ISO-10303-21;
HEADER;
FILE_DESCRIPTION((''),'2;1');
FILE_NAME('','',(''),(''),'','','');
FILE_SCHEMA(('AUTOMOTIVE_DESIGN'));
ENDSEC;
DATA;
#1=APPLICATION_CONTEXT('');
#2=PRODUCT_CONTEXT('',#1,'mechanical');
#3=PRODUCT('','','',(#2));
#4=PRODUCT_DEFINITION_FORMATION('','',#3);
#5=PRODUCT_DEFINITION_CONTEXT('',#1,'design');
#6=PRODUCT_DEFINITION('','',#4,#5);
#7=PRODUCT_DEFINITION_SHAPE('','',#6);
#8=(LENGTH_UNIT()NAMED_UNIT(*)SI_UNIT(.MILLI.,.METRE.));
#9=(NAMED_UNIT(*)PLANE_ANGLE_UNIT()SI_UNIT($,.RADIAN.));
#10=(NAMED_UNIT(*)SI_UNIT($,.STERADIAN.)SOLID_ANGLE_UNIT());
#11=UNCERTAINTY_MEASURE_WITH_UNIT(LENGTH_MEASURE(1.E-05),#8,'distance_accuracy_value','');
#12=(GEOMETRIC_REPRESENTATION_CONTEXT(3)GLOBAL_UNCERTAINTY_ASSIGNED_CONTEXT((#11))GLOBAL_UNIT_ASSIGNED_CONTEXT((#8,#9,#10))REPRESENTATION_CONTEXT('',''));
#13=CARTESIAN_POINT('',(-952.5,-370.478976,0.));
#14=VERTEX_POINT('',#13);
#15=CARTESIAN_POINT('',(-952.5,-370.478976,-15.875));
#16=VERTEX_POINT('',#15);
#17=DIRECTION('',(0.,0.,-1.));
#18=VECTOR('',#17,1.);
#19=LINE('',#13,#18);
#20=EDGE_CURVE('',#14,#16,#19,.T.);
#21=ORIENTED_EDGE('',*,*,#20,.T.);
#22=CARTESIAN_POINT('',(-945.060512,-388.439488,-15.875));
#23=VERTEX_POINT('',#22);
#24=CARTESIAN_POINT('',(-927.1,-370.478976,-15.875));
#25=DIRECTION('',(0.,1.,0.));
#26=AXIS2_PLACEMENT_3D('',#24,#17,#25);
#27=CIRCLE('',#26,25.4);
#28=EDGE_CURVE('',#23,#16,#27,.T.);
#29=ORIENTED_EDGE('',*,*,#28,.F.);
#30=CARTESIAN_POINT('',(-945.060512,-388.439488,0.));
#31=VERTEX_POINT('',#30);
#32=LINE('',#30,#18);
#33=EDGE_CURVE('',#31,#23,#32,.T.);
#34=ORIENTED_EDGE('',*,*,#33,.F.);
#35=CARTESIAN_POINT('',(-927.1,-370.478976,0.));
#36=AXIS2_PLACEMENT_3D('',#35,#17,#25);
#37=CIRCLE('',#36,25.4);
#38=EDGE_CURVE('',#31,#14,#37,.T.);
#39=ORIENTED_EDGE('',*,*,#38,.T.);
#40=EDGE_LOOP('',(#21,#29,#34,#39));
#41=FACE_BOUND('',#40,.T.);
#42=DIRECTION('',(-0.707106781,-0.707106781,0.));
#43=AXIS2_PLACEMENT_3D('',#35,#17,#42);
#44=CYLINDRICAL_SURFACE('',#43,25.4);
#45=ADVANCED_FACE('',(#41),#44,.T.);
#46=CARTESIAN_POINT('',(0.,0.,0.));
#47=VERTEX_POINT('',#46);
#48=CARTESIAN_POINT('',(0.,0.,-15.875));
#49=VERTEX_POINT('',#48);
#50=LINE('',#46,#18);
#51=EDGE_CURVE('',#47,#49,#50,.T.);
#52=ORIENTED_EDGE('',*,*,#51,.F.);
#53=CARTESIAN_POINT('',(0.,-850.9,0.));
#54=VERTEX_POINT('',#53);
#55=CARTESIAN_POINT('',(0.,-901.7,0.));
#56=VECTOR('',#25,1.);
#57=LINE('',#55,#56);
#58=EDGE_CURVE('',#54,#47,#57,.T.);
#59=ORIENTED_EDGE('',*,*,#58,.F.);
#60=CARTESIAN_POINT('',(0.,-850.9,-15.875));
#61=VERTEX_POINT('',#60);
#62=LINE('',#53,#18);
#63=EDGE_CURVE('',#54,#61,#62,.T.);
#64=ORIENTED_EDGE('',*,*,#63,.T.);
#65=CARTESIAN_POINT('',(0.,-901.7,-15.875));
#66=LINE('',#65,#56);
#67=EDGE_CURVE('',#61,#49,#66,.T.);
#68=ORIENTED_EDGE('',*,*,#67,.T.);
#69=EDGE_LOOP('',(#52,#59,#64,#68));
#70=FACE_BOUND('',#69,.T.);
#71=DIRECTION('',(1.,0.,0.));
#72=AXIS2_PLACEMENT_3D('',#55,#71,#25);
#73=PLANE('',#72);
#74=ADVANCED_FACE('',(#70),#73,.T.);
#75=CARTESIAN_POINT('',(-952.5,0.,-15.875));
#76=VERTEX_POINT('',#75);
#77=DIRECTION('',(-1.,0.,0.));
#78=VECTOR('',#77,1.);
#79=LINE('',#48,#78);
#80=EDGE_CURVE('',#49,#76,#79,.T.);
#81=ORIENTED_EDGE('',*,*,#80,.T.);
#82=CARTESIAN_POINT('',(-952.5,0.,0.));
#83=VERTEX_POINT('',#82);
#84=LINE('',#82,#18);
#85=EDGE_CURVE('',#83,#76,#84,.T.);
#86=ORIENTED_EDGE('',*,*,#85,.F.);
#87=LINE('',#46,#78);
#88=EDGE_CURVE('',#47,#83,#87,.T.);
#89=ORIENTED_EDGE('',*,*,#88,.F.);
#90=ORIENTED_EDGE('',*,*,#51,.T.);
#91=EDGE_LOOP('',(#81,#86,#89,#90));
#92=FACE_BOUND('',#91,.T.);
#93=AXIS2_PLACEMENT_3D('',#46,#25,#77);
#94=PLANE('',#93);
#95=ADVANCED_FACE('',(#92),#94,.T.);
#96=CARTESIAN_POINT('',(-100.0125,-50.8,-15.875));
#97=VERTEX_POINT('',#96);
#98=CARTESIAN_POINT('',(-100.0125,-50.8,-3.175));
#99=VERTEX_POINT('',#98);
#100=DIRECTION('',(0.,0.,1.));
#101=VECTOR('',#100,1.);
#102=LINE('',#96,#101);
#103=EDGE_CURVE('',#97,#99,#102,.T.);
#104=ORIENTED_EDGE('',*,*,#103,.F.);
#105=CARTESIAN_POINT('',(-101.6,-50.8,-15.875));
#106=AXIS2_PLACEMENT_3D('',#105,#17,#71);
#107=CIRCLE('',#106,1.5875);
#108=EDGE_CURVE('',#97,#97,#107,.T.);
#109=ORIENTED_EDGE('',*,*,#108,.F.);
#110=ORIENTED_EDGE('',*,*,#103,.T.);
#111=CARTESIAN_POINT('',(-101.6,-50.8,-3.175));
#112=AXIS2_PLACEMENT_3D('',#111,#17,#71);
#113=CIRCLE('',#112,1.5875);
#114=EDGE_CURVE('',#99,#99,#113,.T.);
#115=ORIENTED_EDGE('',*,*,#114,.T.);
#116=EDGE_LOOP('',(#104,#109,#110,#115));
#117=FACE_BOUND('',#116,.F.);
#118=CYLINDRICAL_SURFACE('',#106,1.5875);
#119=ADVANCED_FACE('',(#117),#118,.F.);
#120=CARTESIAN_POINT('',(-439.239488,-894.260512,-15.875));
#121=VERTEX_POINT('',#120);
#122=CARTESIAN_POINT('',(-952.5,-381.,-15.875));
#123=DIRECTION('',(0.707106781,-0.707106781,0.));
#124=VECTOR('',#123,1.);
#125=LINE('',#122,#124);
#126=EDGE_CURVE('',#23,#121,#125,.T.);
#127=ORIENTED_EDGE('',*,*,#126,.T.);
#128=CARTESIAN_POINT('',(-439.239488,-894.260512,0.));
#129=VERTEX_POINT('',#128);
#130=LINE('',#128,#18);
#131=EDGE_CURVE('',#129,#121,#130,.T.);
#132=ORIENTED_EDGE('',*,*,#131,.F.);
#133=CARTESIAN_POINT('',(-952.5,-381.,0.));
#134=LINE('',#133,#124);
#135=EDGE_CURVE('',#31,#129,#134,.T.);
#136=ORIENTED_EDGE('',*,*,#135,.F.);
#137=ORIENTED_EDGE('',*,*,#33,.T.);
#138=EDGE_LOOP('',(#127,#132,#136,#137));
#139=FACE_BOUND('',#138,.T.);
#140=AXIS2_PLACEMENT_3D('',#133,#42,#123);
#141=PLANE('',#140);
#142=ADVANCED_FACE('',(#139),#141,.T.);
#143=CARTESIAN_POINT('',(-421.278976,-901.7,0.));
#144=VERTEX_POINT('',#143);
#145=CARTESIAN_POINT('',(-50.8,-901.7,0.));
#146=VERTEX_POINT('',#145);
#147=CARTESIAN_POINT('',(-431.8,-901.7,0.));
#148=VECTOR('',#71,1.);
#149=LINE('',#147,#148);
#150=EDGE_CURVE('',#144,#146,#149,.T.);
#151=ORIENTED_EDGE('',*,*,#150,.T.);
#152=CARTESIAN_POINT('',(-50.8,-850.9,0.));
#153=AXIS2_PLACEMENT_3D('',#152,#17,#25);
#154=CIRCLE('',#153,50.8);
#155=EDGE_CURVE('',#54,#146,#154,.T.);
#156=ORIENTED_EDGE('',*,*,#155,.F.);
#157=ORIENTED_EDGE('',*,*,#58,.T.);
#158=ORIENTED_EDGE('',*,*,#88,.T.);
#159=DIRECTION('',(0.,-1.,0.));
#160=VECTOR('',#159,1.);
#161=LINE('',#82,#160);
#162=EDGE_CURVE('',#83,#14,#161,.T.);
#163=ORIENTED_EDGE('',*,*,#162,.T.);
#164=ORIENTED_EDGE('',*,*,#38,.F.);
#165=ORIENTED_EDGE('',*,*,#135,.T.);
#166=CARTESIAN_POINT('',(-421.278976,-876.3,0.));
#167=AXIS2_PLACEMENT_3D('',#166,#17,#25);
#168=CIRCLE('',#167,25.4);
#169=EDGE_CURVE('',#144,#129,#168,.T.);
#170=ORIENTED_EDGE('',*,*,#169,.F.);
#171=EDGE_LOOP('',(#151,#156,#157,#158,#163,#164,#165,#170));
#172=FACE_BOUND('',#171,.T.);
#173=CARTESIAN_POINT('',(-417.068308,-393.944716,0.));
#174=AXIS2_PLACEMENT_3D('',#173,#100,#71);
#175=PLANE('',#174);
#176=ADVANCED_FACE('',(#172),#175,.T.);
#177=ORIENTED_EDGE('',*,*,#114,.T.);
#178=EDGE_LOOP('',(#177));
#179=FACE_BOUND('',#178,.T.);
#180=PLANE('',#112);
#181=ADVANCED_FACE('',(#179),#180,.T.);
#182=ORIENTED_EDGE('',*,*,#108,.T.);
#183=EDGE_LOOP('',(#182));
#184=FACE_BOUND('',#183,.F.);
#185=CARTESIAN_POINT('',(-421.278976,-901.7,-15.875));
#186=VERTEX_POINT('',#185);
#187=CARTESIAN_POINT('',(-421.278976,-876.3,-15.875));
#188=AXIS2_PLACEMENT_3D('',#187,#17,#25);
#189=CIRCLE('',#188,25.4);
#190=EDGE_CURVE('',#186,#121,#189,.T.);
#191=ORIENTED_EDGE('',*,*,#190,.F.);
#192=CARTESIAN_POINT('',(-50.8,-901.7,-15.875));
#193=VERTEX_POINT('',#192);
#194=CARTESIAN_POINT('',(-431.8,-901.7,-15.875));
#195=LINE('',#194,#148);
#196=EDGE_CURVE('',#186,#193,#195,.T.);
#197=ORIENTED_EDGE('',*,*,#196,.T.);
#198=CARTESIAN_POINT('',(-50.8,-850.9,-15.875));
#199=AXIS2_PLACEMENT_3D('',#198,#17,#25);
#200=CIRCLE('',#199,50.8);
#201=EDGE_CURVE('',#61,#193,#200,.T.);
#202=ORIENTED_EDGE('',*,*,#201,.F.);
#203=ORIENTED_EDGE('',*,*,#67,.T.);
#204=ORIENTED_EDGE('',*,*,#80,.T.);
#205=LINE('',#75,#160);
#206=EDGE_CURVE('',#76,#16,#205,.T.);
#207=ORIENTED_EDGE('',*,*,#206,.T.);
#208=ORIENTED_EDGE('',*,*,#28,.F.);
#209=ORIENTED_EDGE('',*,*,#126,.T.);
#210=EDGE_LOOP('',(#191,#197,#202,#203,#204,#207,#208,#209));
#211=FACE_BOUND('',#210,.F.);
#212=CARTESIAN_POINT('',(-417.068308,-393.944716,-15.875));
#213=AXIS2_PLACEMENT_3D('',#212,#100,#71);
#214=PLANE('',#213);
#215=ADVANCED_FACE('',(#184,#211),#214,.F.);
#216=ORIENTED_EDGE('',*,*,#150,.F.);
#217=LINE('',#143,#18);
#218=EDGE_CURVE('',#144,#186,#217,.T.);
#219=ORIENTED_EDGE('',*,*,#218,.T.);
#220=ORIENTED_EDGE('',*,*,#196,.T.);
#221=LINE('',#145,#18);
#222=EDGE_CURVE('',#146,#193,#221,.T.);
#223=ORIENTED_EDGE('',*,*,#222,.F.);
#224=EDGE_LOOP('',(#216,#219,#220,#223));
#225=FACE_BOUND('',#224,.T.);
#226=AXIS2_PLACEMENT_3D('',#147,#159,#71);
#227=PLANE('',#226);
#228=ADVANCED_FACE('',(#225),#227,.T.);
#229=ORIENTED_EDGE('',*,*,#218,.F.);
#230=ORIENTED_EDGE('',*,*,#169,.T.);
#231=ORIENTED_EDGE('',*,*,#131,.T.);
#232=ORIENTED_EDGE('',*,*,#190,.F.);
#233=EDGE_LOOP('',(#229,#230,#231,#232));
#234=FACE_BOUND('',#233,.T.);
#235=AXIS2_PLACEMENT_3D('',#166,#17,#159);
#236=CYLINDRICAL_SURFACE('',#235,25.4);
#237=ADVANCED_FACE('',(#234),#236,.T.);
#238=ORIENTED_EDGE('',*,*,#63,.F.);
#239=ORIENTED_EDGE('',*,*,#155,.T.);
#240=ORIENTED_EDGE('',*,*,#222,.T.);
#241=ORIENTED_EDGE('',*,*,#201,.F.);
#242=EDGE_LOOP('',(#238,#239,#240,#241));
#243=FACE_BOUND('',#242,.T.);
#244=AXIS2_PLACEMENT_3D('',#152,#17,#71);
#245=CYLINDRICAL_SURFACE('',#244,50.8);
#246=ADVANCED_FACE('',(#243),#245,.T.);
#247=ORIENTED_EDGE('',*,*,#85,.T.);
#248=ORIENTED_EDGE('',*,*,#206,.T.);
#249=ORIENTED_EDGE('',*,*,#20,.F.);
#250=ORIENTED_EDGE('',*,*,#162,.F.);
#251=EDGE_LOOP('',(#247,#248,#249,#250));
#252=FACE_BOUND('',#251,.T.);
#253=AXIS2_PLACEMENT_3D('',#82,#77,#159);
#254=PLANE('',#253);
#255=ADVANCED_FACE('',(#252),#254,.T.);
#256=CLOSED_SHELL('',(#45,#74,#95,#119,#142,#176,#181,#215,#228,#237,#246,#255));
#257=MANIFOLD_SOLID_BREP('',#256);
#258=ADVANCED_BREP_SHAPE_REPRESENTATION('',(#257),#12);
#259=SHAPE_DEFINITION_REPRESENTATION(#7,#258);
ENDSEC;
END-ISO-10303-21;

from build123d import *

# Parameters (mm, degrees)
F1_DEPTH = 15.875
F2_R     = 50.8
F3_R     = 25.4
F4_R     = 25.4
F5_R     = 1.5875
F6_DEPTH = 12.7


with BuildPart() as f1:
    # F0 (on Top) → F1 (new body)
    with BuildSketch(Plane.XY):
        Polygon((0, -901.7), (0, 0), (-952.5, 0), (-952.5, -381), (-431.8, -901.7), align=None)
    extrude(amount=-F1_DEPTH)

    # F2
    f2_edges = [f1.edges().sort_by_distance(p)[0] for p in [
        (0, -901.7, -7.9375),
    ]]
    fillet(f2_edges, radius=F2_R)

    # F3
    f3_edges = [f1.edges().sort_by_distance(p)[0] for p in [
        (-431.8, -901.7, -7.9375),
    ]]
    fillet(f3_edges, radius=F3_R)

    # F4
    f4_edges = [f1.edges().sort_by_distance(p)[0] for p in [
        (-952.5, -381, -7.9375),
    ]]
    fillet(f4_edges, radius=F4_R)

    # F5 (on face) → F6 (cut)
    with BuildSketch(Plane(origin=(0, 0, -15.875), x_dir=(1, 0, 0), z_dir=(0, 0, -1))):
        with Locations((-101.6, 50.8)):
            Circle(F5_R)
    extrude(amount=-F6_DEPTH, mode=Mode.SUBTRACT)


solid = f1.part
